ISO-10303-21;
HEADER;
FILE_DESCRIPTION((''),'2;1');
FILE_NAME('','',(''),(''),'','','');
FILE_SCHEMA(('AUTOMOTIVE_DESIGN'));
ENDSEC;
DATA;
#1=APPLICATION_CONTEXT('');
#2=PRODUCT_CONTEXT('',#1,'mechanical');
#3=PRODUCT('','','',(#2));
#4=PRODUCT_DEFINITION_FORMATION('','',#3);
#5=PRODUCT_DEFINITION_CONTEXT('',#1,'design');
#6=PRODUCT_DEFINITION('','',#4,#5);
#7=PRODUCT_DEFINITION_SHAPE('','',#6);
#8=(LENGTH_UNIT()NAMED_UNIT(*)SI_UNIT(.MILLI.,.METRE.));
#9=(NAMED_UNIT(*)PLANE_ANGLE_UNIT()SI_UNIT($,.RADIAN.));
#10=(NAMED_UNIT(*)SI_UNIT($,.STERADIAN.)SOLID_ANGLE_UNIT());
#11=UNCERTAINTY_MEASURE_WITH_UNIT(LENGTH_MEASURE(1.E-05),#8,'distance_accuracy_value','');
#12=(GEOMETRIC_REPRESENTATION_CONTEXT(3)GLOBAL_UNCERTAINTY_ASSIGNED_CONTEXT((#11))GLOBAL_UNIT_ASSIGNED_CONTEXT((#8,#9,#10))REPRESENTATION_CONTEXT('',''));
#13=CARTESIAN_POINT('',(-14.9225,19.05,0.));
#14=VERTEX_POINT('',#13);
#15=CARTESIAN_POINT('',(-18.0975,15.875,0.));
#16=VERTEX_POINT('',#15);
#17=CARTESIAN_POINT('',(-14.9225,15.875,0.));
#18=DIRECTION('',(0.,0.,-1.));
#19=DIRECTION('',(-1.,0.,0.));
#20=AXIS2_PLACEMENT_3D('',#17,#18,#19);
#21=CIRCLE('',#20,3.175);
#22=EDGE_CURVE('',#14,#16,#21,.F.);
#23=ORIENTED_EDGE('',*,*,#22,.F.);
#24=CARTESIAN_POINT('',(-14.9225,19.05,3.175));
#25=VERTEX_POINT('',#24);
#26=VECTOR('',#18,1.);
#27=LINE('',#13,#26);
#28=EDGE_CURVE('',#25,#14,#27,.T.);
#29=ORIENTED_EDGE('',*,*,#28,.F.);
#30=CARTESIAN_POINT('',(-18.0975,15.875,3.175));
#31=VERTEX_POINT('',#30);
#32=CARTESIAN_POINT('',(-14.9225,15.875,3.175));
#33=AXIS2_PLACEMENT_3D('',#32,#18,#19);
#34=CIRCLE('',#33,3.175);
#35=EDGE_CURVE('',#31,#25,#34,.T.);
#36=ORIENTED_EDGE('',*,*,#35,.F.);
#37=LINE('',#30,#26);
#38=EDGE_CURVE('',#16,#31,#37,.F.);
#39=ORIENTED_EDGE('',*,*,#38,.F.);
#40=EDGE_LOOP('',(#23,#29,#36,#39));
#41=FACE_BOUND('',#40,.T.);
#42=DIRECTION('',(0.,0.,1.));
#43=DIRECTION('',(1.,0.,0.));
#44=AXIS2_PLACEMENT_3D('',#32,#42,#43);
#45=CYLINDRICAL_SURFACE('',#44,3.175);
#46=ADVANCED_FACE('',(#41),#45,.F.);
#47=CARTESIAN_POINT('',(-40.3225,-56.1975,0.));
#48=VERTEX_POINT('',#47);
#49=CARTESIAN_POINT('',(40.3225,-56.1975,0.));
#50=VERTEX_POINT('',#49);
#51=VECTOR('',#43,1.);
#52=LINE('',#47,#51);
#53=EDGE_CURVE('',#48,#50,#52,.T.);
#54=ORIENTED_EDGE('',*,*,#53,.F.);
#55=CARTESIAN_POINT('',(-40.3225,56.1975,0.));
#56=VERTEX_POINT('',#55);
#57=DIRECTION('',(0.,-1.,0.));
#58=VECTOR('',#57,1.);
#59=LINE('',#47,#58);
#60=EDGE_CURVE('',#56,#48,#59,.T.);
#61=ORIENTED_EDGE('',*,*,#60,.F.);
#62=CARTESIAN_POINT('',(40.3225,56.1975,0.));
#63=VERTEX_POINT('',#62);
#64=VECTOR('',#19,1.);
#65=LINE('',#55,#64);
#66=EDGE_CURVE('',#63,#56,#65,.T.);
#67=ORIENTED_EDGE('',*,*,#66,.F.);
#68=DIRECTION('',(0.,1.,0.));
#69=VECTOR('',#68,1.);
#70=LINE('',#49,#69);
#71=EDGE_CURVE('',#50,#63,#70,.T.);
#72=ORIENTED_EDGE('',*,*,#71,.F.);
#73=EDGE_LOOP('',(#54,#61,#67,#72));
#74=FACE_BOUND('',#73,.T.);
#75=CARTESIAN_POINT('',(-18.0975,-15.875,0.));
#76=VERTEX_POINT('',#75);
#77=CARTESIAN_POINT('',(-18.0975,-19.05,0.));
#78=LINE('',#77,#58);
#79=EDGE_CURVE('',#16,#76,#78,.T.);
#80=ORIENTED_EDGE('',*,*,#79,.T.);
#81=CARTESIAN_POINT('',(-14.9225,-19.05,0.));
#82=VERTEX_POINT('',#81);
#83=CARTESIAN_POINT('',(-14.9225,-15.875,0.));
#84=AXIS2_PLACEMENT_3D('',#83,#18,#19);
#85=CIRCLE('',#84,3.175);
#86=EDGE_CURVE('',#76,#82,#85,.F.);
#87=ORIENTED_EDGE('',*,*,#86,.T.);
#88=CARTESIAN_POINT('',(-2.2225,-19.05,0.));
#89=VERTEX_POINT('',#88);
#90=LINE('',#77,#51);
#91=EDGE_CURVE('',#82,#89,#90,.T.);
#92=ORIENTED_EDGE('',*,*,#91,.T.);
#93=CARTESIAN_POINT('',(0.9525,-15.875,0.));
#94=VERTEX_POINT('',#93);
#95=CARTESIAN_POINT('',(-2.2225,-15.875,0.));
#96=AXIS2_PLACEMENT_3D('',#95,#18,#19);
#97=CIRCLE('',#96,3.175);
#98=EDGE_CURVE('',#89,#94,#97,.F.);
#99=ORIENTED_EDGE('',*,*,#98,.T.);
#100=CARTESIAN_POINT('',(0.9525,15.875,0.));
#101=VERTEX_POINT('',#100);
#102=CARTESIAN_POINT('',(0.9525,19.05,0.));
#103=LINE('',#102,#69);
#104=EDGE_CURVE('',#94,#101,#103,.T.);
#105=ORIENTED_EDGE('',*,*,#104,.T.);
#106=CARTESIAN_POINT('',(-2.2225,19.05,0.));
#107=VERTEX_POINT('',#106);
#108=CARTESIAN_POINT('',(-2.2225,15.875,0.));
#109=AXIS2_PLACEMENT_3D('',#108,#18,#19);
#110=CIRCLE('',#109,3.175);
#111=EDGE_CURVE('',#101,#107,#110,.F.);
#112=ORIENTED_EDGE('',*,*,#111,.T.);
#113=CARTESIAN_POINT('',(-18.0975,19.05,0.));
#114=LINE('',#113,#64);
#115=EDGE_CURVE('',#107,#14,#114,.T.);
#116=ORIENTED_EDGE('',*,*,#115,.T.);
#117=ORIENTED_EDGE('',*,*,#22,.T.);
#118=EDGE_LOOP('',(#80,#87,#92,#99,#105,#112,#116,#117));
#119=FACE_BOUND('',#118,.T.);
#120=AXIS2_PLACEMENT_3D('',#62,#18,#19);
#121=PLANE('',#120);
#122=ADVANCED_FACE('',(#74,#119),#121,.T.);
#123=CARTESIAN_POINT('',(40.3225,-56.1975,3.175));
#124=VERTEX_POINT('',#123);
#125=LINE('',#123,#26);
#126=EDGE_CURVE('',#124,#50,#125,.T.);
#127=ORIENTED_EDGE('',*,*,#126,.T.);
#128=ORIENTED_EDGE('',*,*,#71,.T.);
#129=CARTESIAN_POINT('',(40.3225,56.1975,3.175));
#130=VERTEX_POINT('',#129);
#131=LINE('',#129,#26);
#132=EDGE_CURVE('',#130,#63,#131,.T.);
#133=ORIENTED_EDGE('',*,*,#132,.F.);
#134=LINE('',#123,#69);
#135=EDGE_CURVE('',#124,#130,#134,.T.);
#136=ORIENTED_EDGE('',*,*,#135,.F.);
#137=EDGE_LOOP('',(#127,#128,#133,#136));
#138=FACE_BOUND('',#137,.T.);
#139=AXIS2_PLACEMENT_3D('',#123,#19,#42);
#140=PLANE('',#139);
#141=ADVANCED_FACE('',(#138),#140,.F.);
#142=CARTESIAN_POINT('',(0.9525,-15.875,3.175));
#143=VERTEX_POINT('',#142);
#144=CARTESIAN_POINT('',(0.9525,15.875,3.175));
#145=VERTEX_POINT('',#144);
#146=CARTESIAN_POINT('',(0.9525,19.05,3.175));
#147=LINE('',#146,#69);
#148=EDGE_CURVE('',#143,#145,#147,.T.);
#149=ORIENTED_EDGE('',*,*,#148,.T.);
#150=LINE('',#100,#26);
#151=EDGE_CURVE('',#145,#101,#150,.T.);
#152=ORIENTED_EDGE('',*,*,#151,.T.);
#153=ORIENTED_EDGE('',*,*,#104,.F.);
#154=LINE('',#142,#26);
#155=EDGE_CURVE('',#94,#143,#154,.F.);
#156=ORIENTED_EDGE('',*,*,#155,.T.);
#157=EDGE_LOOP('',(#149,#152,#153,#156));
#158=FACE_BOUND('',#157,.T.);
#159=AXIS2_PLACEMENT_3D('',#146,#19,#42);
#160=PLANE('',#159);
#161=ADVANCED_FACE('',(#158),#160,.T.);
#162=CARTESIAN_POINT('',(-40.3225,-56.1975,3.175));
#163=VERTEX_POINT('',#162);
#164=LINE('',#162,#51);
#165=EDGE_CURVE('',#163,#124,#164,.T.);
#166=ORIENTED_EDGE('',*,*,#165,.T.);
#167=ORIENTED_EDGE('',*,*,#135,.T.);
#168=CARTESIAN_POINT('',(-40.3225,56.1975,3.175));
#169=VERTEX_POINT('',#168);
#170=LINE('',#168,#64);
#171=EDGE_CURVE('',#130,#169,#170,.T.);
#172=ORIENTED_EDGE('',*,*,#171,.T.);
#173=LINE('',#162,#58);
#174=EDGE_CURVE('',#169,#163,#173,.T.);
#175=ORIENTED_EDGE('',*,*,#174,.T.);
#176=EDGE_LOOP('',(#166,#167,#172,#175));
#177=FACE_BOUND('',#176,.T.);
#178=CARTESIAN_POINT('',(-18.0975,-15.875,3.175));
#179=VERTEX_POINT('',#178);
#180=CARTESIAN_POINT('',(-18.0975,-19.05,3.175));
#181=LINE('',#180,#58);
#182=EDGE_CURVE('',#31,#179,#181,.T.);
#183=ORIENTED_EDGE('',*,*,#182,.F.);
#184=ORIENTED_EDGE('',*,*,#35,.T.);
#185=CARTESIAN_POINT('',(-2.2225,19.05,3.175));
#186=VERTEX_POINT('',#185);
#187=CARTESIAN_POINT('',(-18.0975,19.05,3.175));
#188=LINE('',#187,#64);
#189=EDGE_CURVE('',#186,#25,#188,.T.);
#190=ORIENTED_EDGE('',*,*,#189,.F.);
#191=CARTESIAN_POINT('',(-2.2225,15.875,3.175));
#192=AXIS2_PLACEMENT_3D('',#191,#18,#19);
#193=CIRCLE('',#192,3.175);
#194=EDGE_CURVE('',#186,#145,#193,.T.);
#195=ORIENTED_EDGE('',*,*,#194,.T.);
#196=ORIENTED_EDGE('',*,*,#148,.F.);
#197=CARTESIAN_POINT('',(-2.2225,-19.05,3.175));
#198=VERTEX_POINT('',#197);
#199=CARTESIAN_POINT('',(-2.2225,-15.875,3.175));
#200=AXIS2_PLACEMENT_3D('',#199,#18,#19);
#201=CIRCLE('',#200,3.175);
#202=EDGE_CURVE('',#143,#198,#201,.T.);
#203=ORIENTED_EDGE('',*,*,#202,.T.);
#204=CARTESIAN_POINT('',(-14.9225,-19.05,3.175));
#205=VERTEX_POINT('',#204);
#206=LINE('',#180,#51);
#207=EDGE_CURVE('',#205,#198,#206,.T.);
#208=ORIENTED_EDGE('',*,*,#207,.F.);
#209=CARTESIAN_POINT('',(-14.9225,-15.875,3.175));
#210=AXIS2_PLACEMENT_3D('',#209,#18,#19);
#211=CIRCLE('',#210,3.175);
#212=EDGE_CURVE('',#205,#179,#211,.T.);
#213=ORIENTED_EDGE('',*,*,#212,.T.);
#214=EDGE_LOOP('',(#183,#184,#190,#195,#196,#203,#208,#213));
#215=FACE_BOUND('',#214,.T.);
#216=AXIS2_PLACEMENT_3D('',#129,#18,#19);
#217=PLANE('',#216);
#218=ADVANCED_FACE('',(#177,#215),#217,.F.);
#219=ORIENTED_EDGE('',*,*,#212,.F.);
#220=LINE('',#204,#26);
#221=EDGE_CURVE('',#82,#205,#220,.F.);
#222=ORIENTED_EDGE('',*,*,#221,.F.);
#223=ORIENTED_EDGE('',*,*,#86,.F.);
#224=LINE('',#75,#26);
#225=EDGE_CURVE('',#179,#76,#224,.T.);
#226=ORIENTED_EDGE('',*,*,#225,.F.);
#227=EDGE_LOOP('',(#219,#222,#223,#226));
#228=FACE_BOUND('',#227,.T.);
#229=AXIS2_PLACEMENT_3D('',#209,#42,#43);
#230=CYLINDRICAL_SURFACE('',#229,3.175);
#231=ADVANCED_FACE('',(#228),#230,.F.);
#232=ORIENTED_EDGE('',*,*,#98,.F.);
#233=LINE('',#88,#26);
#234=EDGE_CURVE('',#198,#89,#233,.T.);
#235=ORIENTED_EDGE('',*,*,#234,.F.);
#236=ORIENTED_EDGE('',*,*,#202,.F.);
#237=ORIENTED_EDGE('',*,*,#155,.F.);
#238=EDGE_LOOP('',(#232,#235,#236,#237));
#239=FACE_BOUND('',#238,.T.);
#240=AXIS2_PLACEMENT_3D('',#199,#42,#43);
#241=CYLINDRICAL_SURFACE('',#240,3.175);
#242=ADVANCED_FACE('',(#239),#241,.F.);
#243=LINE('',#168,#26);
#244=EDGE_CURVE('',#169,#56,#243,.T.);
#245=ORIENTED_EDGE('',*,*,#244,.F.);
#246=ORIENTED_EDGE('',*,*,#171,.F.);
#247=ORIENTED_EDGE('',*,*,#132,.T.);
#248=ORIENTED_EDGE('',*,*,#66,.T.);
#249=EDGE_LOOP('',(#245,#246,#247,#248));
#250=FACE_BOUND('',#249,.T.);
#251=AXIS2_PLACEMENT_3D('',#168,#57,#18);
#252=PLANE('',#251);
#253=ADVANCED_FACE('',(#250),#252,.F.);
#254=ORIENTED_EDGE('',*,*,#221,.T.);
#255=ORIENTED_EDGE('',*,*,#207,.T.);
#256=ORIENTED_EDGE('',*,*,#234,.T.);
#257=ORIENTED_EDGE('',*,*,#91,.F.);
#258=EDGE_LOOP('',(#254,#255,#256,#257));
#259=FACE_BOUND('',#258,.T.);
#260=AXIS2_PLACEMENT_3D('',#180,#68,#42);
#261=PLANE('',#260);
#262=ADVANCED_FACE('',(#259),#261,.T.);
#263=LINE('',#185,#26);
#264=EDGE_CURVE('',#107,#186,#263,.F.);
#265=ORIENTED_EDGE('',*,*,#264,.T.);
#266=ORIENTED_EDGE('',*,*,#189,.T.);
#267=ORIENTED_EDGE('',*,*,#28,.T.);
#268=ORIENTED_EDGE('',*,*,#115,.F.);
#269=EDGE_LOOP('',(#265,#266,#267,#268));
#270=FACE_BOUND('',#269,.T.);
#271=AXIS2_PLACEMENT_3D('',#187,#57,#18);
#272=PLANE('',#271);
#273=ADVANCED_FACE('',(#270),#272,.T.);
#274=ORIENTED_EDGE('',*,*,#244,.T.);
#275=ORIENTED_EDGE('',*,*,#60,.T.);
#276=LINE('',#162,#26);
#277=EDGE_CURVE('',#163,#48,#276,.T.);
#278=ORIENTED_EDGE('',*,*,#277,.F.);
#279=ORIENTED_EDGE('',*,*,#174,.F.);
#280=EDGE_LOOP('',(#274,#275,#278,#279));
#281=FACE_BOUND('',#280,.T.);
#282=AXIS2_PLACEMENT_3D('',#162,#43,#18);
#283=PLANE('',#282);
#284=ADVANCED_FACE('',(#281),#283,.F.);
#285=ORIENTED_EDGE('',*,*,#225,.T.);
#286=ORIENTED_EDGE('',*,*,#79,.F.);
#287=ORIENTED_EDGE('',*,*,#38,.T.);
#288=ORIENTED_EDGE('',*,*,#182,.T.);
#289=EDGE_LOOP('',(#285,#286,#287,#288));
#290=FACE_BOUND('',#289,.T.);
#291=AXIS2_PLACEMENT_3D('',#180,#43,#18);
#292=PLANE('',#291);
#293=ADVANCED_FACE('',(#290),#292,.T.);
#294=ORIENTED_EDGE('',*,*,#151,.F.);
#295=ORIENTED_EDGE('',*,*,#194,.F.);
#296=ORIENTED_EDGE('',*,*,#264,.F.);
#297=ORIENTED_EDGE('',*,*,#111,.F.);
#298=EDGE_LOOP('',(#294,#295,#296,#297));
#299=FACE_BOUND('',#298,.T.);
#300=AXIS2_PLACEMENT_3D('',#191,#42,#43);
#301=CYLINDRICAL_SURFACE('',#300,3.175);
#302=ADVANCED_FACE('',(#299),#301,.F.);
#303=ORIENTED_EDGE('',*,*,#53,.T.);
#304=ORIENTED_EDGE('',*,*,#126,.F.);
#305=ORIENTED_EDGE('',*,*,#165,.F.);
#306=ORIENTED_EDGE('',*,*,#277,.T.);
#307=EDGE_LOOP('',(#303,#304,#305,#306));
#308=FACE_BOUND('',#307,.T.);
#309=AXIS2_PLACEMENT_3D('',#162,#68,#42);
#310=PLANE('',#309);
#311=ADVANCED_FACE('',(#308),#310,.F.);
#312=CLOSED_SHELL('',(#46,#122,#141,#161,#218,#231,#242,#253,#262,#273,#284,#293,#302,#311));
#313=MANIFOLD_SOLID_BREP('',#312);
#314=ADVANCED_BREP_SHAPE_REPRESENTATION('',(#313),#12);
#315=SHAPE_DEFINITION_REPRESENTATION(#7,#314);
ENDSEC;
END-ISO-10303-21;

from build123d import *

# Parameters (mm, degrees)
SKETCH1_W           = 80.645
SKETCH1_H           = 112.395
SKETCH1_W_2         = 19.05
SKETCH1_H_2         = 38.1
BOSS_EXTRUDE1_DEPTH = 3.175
FILLET1_R           = 3.175


with BuildPart() as part:
    # Sketch1 → Boss-Extrude1 (new body)
    with BuildSketch(Plane.XY):
        Rectangle(SKETCH1_W, SKETCH1_H)
        with Locations((-8.5725, 0)):
            Rectangle(SKETCH1_W_2, SKETCH1_H_2, mode=Mode.SUBTRACT)
    extrude(amount=BOSS_EXTRUDE1_DEPTH)

    # Fillet1
    fillet1_edges = [part.edges().sort_by_distance(p)[0] for p in [
        (-18.0975, -19.05, 1.5875),
        (0.9525, -19.05, 1.5875),
        (0.9525, 19.05, 1.5875),
        (-18.0975, 19.05, 1.5875),
    ]]
    fillet(fillet1_edges, radius=FILLET1_R)


solid = part.part
